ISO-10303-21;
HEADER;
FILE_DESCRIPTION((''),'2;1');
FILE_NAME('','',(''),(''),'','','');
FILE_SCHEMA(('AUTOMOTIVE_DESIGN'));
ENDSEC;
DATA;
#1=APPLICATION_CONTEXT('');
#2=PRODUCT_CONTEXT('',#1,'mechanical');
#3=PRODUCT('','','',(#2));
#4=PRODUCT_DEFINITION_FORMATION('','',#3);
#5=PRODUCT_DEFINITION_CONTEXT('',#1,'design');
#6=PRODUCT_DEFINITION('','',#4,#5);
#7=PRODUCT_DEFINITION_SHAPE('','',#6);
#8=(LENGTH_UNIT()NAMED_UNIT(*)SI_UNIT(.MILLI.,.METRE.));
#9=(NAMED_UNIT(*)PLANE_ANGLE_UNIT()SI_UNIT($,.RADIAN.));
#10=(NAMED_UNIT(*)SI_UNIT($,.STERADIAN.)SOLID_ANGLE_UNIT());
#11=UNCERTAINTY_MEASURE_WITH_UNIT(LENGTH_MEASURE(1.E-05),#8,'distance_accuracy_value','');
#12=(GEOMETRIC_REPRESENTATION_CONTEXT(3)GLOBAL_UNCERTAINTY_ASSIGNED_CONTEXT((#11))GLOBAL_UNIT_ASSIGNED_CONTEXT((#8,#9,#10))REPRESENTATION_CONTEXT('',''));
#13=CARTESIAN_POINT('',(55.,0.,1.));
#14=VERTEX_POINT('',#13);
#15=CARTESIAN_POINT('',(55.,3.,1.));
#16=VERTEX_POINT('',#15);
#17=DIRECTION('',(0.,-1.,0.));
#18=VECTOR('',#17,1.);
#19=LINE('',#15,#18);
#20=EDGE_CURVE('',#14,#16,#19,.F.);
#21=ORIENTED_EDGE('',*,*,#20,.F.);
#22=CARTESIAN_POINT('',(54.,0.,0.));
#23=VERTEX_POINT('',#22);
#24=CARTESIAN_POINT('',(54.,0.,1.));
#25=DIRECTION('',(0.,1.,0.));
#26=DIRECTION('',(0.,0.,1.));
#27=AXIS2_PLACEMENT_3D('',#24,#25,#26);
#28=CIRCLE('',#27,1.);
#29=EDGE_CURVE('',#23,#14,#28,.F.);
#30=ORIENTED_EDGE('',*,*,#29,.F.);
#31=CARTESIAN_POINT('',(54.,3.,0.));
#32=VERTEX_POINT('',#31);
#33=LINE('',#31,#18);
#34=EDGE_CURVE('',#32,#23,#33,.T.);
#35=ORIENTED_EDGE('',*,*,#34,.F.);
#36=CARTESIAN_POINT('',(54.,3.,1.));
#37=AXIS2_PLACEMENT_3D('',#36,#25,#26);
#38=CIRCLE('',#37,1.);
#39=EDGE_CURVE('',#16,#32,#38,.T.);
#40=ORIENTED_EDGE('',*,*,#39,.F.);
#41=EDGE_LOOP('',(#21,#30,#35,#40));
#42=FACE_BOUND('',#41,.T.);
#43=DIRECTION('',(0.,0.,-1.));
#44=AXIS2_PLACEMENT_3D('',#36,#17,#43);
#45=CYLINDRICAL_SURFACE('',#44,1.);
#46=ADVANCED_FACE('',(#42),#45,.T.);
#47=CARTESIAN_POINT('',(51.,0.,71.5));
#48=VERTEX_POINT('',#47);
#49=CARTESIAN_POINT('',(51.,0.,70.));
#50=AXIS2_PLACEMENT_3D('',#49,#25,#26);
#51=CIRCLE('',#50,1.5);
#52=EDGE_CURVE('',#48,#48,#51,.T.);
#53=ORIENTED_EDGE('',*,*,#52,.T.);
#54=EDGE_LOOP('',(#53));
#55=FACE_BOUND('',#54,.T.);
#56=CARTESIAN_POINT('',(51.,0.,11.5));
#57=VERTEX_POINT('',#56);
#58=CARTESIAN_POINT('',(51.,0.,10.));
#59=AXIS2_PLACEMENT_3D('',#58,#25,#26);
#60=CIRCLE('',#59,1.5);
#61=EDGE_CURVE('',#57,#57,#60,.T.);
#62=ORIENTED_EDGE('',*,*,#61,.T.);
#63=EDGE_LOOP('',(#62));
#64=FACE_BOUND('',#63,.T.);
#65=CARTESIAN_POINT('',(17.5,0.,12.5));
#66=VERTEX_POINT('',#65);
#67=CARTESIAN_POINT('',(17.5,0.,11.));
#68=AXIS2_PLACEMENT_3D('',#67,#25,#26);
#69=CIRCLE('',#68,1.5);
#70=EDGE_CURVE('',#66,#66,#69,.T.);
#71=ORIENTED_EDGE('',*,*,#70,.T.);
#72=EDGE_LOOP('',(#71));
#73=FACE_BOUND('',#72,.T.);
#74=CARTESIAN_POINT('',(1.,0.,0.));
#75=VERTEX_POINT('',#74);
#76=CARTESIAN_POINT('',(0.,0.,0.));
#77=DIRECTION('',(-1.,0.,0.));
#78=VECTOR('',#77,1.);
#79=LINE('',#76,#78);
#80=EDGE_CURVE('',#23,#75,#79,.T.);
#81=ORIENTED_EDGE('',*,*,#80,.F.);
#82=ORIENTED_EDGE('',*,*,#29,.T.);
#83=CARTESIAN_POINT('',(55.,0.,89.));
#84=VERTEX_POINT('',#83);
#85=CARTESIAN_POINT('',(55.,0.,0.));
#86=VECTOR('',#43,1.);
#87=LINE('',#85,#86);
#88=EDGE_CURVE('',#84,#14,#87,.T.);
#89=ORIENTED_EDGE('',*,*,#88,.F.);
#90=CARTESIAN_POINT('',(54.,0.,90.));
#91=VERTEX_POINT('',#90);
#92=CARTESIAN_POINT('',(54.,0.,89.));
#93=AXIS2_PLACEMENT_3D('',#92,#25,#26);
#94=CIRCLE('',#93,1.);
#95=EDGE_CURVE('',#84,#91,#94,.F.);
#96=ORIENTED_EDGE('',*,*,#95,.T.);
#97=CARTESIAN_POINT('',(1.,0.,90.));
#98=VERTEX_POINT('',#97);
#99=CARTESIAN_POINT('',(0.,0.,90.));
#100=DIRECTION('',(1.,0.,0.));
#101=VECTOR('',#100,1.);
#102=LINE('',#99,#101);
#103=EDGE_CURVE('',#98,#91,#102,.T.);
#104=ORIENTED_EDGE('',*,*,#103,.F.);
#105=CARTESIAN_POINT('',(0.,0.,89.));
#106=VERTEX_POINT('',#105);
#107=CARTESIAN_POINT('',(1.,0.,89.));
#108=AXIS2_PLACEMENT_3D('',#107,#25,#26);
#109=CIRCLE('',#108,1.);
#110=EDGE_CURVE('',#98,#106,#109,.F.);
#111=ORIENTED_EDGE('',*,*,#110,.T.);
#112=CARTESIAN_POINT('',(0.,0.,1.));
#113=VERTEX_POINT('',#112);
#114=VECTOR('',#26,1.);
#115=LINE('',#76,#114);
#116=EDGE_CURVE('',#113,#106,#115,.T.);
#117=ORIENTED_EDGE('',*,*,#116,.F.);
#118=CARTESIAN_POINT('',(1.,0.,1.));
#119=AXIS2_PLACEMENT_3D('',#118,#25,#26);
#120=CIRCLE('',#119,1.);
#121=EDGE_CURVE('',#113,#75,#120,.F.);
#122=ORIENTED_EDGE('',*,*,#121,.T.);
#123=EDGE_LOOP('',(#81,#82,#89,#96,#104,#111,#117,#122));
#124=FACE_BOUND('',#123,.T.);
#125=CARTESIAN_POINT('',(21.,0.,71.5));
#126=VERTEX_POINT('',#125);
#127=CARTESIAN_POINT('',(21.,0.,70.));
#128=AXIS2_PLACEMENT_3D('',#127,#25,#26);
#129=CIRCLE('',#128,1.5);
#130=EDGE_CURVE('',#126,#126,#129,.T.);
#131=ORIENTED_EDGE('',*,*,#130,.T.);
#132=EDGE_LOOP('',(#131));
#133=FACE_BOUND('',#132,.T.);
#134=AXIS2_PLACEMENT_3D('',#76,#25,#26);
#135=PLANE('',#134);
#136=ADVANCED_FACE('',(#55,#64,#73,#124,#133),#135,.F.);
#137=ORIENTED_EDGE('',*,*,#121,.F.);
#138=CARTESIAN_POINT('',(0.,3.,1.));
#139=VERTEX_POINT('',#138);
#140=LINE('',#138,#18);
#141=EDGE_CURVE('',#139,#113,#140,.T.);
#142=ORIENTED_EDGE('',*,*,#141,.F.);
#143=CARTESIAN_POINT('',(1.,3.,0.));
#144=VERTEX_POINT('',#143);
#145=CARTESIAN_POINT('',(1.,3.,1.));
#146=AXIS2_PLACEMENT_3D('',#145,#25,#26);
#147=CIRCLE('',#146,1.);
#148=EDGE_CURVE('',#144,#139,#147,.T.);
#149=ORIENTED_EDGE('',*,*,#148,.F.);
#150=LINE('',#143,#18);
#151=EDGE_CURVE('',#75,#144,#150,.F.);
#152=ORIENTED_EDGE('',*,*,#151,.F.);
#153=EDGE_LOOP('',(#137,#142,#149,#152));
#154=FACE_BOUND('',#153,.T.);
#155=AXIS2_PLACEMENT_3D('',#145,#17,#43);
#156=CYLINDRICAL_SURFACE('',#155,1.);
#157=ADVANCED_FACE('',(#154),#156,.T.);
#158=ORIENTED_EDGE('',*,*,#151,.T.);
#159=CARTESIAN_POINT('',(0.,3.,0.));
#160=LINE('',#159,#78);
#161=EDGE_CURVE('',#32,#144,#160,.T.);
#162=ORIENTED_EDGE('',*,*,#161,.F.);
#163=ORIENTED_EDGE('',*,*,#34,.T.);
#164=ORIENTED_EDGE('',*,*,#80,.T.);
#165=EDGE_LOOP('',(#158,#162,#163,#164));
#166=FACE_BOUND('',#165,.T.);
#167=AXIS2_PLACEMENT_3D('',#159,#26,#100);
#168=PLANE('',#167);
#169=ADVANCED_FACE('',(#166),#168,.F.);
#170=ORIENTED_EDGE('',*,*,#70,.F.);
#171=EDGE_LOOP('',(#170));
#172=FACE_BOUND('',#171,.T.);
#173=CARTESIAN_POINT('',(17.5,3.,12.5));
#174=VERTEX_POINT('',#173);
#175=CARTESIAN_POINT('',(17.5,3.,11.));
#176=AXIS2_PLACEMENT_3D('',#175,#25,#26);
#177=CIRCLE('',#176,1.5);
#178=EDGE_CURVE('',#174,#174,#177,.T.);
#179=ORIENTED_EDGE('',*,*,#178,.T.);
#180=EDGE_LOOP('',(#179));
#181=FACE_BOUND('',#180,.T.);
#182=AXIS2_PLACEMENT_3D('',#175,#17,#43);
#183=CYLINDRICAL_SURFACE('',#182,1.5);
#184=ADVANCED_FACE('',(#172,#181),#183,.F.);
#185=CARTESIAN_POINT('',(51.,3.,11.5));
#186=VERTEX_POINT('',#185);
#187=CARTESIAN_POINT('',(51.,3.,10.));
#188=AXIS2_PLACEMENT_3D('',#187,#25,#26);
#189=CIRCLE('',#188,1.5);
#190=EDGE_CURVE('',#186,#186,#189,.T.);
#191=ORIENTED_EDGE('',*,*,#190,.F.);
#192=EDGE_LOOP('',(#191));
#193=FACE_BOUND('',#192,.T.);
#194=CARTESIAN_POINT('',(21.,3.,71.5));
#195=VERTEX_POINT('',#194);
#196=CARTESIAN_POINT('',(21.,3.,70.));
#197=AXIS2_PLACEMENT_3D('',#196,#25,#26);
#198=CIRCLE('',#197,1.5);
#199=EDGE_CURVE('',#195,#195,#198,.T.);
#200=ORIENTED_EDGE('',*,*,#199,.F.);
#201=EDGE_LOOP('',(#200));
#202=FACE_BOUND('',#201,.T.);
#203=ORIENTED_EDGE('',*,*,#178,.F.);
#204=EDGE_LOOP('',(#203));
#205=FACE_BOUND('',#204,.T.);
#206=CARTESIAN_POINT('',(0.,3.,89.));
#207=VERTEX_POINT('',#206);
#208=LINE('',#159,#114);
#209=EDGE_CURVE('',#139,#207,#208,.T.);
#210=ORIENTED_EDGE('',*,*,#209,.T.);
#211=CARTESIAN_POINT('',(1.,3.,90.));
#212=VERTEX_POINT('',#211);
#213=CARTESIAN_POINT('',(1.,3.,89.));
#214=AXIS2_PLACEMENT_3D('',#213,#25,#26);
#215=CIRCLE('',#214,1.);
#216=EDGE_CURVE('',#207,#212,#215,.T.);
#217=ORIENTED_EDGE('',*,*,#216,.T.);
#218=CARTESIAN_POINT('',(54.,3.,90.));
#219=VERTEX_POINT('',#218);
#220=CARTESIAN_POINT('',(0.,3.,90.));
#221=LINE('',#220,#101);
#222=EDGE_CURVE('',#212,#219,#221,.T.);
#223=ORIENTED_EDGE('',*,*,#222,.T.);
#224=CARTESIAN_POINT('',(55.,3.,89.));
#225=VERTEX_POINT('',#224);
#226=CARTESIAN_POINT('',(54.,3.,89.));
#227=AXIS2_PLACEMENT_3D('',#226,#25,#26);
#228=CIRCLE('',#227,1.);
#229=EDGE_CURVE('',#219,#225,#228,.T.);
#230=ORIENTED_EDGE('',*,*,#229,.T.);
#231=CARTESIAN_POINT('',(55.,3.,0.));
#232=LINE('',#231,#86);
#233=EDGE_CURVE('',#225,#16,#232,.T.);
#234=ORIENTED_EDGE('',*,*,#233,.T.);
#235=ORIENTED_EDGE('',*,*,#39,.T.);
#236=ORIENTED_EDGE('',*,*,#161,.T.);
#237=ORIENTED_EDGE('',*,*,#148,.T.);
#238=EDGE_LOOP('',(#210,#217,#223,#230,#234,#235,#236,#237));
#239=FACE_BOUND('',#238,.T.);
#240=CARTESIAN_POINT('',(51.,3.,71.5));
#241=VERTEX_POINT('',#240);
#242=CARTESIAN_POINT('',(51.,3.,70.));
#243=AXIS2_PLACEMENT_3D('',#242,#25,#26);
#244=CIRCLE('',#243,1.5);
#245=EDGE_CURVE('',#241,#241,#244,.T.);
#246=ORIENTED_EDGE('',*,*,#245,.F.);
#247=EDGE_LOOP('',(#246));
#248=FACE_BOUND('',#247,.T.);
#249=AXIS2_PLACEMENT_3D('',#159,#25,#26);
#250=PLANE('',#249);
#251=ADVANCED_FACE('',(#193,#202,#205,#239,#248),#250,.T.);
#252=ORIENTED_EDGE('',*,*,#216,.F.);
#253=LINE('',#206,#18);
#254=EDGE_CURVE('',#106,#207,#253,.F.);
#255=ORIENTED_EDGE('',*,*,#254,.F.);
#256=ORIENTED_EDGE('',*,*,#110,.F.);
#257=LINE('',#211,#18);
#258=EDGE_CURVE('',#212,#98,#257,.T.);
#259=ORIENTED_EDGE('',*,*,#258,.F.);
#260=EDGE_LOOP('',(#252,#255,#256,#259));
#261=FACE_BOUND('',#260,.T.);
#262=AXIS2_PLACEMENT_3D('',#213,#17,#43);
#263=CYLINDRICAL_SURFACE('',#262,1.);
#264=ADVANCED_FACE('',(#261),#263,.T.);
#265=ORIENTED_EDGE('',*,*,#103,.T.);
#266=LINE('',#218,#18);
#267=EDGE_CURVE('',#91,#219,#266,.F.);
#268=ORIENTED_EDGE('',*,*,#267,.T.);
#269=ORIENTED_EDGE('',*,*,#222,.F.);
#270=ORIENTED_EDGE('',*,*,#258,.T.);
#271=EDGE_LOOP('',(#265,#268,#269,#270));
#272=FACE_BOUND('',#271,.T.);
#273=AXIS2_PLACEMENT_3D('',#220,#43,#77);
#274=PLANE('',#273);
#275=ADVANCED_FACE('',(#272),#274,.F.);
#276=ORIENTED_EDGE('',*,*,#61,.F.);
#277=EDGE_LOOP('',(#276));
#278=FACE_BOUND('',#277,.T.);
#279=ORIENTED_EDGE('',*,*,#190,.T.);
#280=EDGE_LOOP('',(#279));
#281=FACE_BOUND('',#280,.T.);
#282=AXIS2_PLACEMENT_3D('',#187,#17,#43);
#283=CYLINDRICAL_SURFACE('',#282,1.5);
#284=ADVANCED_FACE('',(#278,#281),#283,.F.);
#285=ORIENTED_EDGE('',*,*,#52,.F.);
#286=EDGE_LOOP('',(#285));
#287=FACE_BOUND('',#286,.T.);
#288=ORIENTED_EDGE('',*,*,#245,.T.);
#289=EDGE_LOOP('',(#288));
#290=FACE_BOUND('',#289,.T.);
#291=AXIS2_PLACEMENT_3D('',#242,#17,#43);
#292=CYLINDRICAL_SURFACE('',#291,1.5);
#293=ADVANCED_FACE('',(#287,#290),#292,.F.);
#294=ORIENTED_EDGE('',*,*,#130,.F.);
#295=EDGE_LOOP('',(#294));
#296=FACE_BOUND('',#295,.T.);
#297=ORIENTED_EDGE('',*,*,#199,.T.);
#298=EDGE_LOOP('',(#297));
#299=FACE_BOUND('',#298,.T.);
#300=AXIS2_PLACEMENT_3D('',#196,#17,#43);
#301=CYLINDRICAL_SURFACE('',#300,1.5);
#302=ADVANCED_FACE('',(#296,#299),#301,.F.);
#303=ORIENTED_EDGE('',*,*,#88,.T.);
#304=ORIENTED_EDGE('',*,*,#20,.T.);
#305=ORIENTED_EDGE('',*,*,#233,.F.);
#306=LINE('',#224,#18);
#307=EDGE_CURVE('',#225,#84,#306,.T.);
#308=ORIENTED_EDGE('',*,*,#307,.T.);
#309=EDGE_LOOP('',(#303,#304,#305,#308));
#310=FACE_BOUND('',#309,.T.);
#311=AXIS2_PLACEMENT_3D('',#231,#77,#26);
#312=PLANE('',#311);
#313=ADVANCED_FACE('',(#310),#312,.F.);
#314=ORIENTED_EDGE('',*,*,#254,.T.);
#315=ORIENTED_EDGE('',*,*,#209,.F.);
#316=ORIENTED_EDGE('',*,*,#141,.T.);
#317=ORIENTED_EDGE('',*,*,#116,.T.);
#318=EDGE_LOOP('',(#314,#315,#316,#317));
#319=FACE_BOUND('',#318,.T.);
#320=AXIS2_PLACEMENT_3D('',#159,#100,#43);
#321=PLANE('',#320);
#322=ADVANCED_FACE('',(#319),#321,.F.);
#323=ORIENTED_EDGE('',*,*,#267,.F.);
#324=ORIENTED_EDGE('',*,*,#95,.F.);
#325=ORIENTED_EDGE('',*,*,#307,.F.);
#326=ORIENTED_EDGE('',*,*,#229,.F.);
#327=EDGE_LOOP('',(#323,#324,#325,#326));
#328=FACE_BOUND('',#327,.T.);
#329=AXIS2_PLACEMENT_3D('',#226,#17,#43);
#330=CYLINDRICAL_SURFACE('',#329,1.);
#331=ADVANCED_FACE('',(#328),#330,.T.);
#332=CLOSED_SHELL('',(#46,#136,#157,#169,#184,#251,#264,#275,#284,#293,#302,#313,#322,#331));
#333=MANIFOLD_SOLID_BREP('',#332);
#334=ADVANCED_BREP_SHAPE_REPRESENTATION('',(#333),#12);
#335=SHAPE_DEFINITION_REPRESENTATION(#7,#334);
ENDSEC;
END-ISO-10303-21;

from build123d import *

# Parameters (mm, degrees)
SKETCH_1_W      = 55
SKETCH_1_H      = 90
SKETCH_1_R      = 1.5
EXTRUDE_1_DEPTH = 3
FILLET_1_R      = 1


with BuildPart() as part:
    # 草图1 → 凸台-拉伸1 (new body)
    with BuildSketch(Plane(origin=(0, 0, 0), x_dir=(1, 0, 0), z_dir=(0, 1, 0))):
        with Locations((27.5, -45)):
            Rectangle(SKETCH_1_W, SKETCH_1_H)
        with Locations(Location((17.5, -11, 0), (0, 0, 270))):
            Circle(SKETCH_1_R, mode=Mode.SUBTRACT)
        with Locations(Location((51, -10, 0), (0, 0, 270))):
            Circle(SKETCH_1_R, mode=Mode.SUBTRACT)
        with Locations(Location((21, -70, 0), (0, 0, 270))):
            Circle(SKETCH_1_R, mode=Mode.SUBTRACT)
        with Locations(Location((51, -70, 0), (0, 0, 270))):
            Circle(SKETCH_1_R, mode=Mode.SUBTRACT)
    extrude(amount=EXTRUDE_1_DEPTH)

    # 圆角1
    fillet_1_edges = [part.edges().sort_by_distance(p)[0] for p in [
        (0, 1.5, 0),
        (55, 1.5, 0),
        (55, 1.5, 90),
        (0, 1.5, 90),
    ]]
    fillet(fillet_1_edges, radius=FILLET_1_R)


solid = part.part
